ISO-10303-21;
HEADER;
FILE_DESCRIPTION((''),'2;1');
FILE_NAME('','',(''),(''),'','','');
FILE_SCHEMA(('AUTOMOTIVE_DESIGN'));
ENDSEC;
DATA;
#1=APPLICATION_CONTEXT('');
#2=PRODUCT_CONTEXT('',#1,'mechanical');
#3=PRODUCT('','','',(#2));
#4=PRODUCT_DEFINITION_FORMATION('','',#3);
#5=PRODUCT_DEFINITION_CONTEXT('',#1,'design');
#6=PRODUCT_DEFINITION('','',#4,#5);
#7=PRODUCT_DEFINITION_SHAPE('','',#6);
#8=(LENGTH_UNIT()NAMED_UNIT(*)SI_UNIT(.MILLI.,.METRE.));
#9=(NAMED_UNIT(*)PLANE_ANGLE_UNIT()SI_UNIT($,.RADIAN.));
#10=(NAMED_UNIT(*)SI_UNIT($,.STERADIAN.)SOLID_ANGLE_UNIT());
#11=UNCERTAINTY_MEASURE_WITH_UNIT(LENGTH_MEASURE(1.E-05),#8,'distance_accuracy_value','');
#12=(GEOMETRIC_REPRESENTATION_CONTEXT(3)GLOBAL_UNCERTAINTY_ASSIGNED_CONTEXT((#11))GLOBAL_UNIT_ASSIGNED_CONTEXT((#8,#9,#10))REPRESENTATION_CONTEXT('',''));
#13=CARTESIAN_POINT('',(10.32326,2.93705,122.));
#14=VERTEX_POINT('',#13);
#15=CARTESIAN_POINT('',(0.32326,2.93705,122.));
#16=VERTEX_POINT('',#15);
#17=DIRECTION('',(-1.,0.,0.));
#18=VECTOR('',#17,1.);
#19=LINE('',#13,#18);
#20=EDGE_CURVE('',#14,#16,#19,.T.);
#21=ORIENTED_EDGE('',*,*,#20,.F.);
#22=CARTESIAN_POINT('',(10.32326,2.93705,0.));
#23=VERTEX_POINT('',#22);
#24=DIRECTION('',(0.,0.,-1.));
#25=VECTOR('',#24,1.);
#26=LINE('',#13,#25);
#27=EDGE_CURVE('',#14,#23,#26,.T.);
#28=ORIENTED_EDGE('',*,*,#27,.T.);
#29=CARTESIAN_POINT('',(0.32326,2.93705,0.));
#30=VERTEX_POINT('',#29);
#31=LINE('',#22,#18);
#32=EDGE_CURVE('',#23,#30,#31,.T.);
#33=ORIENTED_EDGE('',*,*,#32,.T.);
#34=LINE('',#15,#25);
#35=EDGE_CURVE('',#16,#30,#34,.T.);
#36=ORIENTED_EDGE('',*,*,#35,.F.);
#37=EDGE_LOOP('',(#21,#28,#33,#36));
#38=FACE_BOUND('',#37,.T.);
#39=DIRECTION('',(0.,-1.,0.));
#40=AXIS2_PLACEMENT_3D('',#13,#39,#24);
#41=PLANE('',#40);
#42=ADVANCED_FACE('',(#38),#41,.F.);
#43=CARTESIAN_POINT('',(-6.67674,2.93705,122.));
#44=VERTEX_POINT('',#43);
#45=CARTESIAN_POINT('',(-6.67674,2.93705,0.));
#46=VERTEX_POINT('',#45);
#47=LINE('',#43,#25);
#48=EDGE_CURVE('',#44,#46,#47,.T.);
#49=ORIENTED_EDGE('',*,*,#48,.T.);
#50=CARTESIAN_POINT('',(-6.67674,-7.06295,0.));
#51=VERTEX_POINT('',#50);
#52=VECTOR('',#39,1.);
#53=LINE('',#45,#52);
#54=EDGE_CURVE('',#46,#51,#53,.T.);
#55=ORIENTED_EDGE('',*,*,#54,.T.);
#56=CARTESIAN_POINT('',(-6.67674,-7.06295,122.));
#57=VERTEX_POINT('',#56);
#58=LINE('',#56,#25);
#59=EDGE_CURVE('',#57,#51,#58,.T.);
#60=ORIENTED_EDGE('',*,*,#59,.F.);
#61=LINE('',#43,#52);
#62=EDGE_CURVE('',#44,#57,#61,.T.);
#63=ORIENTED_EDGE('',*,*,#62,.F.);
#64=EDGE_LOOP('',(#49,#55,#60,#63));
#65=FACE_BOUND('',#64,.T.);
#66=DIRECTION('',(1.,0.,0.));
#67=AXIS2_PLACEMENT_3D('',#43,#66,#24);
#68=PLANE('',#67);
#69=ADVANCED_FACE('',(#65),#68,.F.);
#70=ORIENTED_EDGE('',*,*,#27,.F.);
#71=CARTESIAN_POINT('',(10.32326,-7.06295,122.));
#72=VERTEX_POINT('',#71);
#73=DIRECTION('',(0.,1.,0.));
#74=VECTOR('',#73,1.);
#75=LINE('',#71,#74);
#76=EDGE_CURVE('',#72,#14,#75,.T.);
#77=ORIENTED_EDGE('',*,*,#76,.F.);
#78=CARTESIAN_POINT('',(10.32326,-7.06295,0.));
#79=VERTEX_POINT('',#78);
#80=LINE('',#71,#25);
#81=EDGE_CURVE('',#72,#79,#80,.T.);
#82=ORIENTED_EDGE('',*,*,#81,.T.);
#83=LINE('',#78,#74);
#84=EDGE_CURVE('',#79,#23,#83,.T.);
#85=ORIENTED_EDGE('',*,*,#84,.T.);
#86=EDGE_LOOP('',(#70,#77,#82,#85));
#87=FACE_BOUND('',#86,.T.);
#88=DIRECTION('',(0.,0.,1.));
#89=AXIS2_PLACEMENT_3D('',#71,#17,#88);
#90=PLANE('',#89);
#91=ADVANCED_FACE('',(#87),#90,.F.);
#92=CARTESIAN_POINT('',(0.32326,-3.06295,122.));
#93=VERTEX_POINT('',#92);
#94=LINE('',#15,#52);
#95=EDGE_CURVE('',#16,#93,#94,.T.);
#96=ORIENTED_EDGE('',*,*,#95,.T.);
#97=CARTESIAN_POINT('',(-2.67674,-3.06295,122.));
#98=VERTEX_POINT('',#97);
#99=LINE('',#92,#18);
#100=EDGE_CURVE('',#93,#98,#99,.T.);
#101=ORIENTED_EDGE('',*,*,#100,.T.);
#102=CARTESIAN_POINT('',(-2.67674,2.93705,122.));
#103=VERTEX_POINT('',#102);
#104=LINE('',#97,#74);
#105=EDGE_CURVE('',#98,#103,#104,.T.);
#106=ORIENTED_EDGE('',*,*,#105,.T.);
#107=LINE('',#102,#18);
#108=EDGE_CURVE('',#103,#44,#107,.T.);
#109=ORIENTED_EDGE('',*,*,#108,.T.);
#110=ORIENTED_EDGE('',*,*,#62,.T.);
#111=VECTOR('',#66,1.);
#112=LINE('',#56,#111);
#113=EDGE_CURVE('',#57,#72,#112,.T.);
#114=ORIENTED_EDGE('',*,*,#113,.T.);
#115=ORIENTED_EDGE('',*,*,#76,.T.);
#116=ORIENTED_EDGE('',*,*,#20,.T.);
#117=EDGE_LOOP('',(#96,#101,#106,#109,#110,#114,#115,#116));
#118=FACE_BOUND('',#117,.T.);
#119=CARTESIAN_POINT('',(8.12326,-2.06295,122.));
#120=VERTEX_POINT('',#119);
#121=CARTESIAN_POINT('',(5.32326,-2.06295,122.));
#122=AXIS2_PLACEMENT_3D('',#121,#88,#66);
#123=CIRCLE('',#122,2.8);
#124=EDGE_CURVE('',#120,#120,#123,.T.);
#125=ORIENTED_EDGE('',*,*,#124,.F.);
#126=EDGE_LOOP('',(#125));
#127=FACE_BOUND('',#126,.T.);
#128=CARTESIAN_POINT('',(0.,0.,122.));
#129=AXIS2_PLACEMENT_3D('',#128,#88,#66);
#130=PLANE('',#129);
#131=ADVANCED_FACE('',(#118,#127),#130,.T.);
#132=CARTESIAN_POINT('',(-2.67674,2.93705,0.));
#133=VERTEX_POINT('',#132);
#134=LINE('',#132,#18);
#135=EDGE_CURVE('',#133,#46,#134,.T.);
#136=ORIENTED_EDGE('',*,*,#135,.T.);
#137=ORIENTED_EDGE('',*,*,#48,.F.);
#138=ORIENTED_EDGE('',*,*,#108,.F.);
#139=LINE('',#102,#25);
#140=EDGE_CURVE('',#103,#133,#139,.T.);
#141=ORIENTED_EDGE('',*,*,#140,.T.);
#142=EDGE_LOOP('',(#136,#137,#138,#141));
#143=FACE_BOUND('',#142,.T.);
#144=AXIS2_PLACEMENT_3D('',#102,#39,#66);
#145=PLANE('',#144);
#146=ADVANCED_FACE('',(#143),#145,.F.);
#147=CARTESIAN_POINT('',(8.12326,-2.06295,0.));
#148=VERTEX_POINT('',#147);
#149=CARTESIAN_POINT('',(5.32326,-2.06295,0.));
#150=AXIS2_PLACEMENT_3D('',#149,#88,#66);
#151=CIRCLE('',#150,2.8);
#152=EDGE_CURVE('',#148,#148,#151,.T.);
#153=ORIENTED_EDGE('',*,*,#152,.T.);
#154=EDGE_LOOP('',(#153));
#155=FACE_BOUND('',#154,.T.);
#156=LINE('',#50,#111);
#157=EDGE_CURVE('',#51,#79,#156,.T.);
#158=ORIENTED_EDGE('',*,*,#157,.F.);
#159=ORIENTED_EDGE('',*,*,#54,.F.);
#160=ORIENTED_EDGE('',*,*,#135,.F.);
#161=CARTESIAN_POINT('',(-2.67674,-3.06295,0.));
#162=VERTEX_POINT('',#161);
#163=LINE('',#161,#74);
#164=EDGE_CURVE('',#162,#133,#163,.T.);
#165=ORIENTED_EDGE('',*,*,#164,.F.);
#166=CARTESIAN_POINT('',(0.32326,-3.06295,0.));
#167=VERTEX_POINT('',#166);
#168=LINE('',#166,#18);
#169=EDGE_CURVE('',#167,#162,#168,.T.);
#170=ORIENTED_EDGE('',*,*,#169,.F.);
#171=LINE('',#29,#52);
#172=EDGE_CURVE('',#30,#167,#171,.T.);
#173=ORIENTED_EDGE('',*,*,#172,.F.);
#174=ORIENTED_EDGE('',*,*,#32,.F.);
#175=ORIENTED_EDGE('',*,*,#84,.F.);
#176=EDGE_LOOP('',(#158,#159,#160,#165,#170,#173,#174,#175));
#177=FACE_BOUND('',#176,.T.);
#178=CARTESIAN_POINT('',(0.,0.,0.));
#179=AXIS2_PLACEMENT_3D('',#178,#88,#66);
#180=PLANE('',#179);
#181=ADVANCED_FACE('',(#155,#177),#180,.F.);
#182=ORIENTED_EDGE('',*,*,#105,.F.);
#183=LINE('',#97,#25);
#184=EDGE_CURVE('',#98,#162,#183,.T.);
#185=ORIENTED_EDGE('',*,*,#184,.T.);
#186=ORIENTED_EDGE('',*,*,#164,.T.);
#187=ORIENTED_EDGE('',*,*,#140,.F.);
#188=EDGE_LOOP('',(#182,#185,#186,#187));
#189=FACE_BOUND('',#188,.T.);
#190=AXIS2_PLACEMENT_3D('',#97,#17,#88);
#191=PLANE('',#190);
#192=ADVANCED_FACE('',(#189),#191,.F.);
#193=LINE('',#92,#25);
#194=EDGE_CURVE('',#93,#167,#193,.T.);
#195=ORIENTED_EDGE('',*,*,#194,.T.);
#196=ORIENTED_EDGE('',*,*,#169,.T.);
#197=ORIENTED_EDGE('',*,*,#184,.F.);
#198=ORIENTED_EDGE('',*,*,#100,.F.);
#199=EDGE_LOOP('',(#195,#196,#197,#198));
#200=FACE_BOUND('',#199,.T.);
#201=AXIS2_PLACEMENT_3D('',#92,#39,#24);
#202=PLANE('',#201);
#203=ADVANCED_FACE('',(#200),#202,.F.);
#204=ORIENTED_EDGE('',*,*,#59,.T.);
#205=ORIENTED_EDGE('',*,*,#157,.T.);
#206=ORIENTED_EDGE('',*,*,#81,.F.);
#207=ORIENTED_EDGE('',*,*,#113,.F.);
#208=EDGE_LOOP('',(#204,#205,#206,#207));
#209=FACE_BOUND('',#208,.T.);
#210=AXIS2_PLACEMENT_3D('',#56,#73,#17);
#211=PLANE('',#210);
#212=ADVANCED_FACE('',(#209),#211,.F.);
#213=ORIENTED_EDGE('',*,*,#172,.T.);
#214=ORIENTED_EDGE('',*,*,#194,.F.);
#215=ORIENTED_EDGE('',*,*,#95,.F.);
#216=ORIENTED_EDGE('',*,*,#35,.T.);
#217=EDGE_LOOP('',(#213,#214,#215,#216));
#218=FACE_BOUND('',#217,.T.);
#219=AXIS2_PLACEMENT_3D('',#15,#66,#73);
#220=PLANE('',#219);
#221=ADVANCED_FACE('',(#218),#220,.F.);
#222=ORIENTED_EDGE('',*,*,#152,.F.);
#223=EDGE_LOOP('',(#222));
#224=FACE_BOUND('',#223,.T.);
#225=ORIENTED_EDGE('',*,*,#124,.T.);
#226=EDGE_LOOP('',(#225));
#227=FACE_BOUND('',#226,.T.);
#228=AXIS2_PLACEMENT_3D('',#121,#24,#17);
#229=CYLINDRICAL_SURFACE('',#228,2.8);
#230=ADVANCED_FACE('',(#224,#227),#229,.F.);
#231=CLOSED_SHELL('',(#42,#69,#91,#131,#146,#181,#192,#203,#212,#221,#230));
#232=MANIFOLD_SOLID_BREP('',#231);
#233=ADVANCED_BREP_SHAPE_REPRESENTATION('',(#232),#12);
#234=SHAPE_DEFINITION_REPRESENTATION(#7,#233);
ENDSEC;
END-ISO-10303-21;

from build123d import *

# Parameters (mm, degrees)
ESQUISSE1_R        = 2.8
BOSS_EXTRU_1_DEPTH = 122


with BuildPart() as part:
    # Esquisse1 → Boss.-Extru.1 (new body)
    with BuildSketch(Plane.XY):
        Polygon((-6.67673977, 2.937050112), (-6.67673977, -7.062949888), (10.32326023, -7.062949888), (10.32326023, 2.937050112), (0.32326023, 2.937050112), (0.32326023, -3.062949888), (-2.67673977, -3.062949888), (-2.67673977, 2.937050112), align=None)
        with Locations((5.32326023, -2.062949888)):
            Circle(ESQUISSE1_R, mode=Mode.SUBTRACT)
    extrude(amount=BOSS_EXTRU_1_DEPTH)


solid = part.part
